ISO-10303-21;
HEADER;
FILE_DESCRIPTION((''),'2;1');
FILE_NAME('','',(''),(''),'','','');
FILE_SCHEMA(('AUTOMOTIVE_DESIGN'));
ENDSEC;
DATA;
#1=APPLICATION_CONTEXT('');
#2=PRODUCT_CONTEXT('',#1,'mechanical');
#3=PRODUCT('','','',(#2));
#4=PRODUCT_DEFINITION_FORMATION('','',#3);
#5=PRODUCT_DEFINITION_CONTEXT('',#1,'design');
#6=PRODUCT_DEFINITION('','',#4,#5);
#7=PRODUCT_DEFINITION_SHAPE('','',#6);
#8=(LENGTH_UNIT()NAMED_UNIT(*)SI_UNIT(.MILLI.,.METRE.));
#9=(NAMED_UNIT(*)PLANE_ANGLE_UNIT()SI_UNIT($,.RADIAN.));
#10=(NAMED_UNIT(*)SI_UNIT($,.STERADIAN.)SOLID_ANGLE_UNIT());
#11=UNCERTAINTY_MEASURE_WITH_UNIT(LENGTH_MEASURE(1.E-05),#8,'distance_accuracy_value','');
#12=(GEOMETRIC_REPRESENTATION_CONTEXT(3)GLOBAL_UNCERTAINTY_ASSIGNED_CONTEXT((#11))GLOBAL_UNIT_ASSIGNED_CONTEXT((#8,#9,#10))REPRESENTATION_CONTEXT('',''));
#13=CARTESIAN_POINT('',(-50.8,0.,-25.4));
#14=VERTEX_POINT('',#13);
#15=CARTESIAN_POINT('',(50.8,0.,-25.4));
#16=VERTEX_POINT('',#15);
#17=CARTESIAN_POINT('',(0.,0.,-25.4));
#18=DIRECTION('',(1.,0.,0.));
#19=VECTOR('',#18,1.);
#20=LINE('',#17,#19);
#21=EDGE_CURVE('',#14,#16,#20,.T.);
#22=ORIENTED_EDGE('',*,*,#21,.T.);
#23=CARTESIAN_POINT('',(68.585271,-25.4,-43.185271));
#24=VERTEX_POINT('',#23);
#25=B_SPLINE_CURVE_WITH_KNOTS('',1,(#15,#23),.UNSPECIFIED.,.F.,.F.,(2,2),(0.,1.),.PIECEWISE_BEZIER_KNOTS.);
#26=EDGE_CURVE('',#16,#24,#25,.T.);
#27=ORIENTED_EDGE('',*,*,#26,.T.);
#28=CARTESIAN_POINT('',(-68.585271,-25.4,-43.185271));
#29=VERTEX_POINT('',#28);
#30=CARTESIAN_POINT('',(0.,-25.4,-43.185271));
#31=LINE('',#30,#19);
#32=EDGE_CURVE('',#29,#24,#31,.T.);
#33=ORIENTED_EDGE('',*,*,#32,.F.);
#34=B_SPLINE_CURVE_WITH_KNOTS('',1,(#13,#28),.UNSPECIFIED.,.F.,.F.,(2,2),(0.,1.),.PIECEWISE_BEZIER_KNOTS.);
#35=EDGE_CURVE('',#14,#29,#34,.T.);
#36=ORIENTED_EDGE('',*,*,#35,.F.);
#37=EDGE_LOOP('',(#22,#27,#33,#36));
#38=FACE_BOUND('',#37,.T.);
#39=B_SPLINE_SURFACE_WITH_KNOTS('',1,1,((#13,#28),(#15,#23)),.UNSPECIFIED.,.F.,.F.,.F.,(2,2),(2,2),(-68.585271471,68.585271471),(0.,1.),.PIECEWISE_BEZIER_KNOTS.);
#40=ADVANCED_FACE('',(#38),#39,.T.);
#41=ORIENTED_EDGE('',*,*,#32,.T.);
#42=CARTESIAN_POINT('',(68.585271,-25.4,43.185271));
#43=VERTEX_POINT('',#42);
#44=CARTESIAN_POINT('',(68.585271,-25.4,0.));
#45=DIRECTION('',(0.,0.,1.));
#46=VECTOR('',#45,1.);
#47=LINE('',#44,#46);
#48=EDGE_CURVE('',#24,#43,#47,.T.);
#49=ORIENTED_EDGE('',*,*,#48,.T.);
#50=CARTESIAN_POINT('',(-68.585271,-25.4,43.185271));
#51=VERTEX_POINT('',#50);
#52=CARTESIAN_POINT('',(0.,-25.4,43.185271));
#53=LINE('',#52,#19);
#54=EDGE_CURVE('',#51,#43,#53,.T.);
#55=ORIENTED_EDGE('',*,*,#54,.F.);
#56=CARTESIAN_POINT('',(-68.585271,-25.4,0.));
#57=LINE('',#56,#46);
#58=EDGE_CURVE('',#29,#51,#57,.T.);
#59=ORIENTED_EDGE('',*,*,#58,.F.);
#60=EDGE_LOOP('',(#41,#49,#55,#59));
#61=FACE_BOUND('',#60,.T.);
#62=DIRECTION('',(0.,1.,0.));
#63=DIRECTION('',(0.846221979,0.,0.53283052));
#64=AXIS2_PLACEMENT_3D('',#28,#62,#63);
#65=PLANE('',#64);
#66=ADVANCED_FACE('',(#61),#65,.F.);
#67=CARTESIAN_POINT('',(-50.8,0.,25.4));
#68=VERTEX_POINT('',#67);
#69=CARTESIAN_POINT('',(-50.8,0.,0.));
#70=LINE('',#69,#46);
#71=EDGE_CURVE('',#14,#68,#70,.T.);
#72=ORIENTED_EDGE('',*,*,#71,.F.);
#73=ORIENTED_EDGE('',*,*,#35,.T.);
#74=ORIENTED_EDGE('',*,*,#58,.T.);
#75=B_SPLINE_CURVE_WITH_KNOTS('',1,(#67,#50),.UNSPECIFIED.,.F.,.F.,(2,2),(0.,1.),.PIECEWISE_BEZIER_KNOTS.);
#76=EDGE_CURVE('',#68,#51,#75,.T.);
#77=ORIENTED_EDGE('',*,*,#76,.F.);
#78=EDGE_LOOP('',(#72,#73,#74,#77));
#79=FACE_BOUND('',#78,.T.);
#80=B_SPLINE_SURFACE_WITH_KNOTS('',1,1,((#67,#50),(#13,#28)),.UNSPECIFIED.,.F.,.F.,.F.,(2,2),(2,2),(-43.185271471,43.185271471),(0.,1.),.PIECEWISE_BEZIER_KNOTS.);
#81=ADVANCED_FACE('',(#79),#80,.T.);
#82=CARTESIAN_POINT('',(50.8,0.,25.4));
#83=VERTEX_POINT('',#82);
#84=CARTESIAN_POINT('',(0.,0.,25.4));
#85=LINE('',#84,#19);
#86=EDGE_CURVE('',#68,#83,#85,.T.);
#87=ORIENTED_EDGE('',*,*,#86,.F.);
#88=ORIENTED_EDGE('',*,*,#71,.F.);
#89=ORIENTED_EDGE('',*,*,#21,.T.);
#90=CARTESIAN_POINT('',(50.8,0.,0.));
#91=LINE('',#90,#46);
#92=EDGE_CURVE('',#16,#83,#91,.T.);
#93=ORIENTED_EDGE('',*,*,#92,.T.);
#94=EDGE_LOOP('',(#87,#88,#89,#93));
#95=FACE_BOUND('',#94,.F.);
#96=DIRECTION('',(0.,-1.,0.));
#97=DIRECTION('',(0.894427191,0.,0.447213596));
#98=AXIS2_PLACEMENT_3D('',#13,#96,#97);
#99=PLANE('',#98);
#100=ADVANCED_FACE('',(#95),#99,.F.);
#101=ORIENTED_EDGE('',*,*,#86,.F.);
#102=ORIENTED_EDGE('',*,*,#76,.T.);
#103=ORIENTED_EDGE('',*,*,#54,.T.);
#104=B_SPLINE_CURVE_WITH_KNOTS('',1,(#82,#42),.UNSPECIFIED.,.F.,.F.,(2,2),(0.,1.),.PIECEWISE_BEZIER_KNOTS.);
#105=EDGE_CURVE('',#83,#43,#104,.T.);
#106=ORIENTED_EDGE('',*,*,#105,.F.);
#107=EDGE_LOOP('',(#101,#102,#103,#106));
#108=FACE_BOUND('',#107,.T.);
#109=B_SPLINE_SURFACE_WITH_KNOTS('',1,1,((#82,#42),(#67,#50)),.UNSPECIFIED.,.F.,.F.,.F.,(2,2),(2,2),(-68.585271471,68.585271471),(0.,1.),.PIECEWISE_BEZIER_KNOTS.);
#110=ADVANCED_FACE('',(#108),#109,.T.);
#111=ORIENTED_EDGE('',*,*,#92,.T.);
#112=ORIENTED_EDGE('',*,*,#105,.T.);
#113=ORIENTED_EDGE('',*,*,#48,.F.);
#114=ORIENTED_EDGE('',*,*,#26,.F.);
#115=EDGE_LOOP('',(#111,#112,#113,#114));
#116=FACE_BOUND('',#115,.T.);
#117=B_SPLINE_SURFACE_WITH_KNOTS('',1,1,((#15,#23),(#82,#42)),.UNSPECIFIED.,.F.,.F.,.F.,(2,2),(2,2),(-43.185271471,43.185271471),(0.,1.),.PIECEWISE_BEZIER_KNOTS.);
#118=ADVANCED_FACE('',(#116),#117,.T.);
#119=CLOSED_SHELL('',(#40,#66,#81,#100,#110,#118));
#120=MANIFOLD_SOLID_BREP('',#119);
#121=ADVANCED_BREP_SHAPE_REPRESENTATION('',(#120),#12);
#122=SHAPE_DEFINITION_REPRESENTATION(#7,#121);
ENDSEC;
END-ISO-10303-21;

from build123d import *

# Parameters (mm, degrees)
F0_W     = 101.6
F0_H     = 50.8
F1_DEPTH = 25.4
F1_TAPER = -35


with BuildPart() as f1:
    # F0 (on Front) → F1 (new body)
    with BuildSketch(Plane.XZ):
        Rectangle(F0_W, F0_H)
    extrude(amount=F1_DEPTH, taper=F1_TAPER)


solid = f1.part
